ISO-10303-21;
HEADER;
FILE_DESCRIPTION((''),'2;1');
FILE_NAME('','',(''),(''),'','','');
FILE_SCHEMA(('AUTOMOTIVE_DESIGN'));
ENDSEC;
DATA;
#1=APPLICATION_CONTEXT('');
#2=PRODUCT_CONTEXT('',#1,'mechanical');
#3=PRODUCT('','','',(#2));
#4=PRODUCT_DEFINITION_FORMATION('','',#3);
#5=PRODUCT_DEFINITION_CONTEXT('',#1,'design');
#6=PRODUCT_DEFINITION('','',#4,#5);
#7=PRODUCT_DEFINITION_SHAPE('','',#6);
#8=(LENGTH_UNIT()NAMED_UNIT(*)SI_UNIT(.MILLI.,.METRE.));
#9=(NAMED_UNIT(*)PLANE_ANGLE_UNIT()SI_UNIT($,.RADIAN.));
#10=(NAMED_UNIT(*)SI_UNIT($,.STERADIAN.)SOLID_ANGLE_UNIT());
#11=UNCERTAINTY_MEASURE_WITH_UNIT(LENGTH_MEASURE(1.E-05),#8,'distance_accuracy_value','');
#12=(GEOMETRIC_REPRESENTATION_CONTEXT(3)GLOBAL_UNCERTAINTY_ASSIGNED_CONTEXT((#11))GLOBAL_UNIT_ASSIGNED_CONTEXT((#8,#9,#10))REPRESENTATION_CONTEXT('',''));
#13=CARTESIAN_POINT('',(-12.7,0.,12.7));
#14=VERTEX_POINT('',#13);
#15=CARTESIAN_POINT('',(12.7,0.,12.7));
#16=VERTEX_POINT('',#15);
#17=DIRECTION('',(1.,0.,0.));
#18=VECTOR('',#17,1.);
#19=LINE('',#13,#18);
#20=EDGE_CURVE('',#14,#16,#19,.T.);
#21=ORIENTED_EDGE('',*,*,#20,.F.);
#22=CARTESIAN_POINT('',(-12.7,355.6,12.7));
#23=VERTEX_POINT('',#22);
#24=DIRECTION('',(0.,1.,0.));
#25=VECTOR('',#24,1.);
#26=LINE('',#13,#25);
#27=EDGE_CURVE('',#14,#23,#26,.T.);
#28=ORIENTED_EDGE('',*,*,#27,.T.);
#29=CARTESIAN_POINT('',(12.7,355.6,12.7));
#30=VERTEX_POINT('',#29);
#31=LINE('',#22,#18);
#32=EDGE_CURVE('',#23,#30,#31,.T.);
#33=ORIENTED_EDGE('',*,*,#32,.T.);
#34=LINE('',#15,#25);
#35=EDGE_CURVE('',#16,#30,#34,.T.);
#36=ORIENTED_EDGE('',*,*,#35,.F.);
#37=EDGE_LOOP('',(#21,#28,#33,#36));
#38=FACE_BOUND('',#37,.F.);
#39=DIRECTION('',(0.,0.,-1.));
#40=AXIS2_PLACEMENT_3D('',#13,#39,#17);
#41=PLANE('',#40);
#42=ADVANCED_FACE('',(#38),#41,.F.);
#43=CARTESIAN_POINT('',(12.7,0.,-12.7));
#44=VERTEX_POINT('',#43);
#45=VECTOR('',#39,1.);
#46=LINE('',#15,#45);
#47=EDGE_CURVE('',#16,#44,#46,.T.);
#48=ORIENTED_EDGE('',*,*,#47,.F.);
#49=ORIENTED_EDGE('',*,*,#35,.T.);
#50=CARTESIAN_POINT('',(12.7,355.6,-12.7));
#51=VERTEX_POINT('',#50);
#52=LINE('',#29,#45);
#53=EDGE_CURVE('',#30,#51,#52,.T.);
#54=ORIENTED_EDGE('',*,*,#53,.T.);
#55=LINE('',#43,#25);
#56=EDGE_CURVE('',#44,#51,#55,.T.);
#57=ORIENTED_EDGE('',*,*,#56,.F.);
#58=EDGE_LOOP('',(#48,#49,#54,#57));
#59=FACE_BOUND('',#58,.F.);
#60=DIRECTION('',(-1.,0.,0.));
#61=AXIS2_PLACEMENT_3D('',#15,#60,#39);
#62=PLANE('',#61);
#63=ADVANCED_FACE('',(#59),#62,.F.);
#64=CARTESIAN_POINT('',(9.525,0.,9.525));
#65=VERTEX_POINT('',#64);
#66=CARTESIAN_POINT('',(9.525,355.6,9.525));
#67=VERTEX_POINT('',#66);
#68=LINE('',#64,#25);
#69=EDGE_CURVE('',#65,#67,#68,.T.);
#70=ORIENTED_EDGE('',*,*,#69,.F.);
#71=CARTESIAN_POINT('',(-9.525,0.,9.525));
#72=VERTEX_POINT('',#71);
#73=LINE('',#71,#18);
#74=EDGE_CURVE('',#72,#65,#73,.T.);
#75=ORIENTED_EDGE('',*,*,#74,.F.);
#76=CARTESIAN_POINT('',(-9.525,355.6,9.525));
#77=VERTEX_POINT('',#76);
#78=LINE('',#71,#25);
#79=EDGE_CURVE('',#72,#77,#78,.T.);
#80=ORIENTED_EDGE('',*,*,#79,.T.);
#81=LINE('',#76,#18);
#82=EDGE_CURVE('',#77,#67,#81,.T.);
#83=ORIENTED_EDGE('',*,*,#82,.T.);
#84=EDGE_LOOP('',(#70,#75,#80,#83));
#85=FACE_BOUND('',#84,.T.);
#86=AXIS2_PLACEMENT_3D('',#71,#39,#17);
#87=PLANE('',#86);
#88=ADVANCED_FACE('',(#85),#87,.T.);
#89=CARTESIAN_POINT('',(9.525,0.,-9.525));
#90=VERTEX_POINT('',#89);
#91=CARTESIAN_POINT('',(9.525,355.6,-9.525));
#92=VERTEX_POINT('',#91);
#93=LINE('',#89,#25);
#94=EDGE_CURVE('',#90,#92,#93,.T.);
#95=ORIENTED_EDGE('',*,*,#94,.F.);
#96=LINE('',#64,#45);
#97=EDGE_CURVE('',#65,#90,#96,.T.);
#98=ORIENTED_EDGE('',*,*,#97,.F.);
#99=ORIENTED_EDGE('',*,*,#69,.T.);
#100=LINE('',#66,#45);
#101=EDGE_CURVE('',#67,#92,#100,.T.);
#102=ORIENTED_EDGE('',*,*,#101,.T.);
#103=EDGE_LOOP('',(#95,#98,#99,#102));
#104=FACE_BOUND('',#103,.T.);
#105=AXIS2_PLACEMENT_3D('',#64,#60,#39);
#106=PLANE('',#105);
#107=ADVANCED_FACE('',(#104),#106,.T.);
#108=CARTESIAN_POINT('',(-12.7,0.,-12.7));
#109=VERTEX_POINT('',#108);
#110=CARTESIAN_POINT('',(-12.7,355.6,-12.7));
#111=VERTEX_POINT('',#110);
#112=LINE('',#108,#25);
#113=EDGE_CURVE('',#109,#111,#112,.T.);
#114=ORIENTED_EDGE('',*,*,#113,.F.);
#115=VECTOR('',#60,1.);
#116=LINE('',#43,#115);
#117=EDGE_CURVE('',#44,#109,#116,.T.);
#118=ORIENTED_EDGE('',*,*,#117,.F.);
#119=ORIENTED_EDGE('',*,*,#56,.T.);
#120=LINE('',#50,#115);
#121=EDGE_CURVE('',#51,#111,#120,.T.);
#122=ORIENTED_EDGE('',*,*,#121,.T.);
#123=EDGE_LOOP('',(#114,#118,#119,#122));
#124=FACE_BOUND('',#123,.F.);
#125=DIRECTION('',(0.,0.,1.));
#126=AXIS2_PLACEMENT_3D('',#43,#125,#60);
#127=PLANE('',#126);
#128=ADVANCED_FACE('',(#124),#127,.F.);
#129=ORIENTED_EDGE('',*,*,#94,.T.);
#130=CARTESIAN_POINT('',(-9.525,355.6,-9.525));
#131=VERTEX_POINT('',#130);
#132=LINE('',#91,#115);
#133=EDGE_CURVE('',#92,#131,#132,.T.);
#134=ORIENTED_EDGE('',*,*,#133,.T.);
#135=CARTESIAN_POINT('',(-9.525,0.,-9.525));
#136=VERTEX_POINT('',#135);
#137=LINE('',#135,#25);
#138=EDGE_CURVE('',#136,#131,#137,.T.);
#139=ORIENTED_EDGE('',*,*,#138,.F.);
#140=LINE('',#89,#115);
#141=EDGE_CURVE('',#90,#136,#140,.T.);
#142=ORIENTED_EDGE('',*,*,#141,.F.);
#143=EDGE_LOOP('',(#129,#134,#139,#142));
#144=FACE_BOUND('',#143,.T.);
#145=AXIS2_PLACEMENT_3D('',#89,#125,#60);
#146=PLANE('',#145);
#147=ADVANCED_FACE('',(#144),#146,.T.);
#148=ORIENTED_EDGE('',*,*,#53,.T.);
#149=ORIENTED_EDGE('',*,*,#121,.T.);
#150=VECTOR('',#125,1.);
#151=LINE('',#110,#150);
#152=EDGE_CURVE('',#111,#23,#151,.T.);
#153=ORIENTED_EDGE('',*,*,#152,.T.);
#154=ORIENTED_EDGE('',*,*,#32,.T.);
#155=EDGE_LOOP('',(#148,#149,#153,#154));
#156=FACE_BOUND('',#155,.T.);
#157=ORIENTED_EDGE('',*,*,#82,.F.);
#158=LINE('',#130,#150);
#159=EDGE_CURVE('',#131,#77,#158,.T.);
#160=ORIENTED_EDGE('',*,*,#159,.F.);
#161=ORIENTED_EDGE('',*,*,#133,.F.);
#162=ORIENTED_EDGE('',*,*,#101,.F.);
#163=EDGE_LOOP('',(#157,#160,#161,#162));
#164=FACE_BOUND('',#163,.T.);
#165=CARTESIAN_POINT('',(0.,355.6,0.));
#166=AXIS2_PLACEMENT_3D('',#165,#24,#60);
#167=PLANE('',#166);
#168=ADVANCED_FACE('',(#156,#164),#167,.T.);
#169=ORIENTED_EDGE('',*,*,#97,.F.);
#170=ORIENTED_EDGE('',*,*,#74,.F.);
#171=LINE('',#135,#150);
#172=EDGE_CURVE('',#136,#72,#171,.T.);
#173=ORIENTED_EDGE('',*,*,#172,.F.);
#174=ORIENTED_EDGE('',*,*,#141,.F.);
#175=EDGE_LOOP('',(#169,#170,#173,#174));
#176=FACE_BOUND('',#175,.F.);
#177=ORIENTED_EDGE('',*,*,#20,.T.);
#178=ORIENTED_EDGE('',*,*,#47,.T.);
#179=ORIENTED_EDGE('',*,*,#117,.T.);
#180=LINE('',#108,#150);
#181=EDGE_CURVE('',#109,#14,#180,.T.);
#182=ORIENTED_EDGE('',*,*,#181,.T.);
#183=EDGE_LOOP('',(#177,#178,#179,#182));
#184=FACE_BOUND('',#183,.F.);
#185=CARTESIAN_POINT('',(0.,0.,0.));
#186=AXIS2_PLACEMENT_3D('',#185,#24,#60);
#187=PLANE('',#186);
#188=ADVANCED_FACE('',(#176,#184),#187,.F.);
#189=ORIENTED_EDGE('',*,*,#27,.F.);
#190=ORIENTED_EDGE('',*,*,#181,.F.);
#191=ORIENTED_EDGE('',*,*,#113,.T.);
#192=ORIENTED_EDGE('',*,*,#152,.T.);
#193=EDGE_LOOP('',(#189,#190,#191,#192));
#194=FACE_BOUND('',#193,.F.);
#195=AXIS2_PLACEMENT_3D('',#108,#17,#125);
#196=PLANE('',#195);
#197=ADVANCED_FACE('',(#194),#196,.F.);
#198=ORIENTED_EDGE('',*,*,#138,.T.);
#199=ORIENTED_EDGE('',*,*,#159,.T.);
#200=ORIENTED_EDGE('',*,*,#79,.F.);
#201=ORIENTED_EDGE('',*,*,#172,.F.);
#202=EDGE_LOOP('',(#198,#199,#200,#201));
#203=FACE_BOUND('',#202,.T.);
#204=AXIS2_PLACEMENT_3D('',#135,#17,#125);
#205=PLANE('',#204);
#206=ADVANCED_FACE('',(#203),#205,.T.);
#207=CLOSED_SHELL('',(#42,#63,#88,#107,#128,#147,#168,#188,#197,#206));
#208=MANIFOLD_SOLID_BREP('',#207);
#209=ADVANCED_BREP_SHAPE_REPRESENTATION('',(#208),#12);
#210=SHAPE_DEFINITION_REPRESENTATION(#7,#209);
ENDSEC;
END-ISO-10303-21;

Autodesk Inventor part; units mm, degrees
ref_plane "YZ Plane" through (0, 0, 0) normal (1, 0, 0) x (0, 1, 0)
ref_plane "XZ Plane" through (0, 0, 0) normal (0, 1, 0) x (-1, 0, 0)
ref_plane "XY Plane" through (0, 0, 0) normal (0, 0, 1) x (1, 0, 0)
sketch "Sketch1" plane through (0, 0, 0) normal (0, 1, 0) x (-1, 0, 0)
  line L0 (12.7, 12.7) -> (-12.7, 12.7)
  line L1 (-12.7, 12.7) -> (-12.7, -12.7)
  line L2 (-12.7, -12.7) -> (12.7, -12.7)
  line L3 (12.7, -12.7) -> (12.7, 12.7)
  line L4 (12.7, 12.7) -> (-12.7, -12.7) construction
  line L5 (-12.7, 12.7) -> (12.7, -12.7) construction
  line L6 (9.525, 9.525) -> (-9.525, 9.525)
  line L7 (-9.525, 9.525) -> (-9.525, -9.525)
  line L8 (-9.525, -9.525) -> (9.525, -9.525)
  line L9 (9.525, -9.525) -> (9.525, 9.525)
  line L10 (9.525, 9.525) -> (-9.525, -9.525) construction
  line L11 (-9.525, 9.525) -> (9.525, -9.525) construction
  point P0 (0, 0)
  dimension "d0" = 25.4
  dimension "d1" = 3.175
extrude "Extrusion1" add sketch "Sketch1" along normal blind 355.6
properties part number "1x14-rectangular"
